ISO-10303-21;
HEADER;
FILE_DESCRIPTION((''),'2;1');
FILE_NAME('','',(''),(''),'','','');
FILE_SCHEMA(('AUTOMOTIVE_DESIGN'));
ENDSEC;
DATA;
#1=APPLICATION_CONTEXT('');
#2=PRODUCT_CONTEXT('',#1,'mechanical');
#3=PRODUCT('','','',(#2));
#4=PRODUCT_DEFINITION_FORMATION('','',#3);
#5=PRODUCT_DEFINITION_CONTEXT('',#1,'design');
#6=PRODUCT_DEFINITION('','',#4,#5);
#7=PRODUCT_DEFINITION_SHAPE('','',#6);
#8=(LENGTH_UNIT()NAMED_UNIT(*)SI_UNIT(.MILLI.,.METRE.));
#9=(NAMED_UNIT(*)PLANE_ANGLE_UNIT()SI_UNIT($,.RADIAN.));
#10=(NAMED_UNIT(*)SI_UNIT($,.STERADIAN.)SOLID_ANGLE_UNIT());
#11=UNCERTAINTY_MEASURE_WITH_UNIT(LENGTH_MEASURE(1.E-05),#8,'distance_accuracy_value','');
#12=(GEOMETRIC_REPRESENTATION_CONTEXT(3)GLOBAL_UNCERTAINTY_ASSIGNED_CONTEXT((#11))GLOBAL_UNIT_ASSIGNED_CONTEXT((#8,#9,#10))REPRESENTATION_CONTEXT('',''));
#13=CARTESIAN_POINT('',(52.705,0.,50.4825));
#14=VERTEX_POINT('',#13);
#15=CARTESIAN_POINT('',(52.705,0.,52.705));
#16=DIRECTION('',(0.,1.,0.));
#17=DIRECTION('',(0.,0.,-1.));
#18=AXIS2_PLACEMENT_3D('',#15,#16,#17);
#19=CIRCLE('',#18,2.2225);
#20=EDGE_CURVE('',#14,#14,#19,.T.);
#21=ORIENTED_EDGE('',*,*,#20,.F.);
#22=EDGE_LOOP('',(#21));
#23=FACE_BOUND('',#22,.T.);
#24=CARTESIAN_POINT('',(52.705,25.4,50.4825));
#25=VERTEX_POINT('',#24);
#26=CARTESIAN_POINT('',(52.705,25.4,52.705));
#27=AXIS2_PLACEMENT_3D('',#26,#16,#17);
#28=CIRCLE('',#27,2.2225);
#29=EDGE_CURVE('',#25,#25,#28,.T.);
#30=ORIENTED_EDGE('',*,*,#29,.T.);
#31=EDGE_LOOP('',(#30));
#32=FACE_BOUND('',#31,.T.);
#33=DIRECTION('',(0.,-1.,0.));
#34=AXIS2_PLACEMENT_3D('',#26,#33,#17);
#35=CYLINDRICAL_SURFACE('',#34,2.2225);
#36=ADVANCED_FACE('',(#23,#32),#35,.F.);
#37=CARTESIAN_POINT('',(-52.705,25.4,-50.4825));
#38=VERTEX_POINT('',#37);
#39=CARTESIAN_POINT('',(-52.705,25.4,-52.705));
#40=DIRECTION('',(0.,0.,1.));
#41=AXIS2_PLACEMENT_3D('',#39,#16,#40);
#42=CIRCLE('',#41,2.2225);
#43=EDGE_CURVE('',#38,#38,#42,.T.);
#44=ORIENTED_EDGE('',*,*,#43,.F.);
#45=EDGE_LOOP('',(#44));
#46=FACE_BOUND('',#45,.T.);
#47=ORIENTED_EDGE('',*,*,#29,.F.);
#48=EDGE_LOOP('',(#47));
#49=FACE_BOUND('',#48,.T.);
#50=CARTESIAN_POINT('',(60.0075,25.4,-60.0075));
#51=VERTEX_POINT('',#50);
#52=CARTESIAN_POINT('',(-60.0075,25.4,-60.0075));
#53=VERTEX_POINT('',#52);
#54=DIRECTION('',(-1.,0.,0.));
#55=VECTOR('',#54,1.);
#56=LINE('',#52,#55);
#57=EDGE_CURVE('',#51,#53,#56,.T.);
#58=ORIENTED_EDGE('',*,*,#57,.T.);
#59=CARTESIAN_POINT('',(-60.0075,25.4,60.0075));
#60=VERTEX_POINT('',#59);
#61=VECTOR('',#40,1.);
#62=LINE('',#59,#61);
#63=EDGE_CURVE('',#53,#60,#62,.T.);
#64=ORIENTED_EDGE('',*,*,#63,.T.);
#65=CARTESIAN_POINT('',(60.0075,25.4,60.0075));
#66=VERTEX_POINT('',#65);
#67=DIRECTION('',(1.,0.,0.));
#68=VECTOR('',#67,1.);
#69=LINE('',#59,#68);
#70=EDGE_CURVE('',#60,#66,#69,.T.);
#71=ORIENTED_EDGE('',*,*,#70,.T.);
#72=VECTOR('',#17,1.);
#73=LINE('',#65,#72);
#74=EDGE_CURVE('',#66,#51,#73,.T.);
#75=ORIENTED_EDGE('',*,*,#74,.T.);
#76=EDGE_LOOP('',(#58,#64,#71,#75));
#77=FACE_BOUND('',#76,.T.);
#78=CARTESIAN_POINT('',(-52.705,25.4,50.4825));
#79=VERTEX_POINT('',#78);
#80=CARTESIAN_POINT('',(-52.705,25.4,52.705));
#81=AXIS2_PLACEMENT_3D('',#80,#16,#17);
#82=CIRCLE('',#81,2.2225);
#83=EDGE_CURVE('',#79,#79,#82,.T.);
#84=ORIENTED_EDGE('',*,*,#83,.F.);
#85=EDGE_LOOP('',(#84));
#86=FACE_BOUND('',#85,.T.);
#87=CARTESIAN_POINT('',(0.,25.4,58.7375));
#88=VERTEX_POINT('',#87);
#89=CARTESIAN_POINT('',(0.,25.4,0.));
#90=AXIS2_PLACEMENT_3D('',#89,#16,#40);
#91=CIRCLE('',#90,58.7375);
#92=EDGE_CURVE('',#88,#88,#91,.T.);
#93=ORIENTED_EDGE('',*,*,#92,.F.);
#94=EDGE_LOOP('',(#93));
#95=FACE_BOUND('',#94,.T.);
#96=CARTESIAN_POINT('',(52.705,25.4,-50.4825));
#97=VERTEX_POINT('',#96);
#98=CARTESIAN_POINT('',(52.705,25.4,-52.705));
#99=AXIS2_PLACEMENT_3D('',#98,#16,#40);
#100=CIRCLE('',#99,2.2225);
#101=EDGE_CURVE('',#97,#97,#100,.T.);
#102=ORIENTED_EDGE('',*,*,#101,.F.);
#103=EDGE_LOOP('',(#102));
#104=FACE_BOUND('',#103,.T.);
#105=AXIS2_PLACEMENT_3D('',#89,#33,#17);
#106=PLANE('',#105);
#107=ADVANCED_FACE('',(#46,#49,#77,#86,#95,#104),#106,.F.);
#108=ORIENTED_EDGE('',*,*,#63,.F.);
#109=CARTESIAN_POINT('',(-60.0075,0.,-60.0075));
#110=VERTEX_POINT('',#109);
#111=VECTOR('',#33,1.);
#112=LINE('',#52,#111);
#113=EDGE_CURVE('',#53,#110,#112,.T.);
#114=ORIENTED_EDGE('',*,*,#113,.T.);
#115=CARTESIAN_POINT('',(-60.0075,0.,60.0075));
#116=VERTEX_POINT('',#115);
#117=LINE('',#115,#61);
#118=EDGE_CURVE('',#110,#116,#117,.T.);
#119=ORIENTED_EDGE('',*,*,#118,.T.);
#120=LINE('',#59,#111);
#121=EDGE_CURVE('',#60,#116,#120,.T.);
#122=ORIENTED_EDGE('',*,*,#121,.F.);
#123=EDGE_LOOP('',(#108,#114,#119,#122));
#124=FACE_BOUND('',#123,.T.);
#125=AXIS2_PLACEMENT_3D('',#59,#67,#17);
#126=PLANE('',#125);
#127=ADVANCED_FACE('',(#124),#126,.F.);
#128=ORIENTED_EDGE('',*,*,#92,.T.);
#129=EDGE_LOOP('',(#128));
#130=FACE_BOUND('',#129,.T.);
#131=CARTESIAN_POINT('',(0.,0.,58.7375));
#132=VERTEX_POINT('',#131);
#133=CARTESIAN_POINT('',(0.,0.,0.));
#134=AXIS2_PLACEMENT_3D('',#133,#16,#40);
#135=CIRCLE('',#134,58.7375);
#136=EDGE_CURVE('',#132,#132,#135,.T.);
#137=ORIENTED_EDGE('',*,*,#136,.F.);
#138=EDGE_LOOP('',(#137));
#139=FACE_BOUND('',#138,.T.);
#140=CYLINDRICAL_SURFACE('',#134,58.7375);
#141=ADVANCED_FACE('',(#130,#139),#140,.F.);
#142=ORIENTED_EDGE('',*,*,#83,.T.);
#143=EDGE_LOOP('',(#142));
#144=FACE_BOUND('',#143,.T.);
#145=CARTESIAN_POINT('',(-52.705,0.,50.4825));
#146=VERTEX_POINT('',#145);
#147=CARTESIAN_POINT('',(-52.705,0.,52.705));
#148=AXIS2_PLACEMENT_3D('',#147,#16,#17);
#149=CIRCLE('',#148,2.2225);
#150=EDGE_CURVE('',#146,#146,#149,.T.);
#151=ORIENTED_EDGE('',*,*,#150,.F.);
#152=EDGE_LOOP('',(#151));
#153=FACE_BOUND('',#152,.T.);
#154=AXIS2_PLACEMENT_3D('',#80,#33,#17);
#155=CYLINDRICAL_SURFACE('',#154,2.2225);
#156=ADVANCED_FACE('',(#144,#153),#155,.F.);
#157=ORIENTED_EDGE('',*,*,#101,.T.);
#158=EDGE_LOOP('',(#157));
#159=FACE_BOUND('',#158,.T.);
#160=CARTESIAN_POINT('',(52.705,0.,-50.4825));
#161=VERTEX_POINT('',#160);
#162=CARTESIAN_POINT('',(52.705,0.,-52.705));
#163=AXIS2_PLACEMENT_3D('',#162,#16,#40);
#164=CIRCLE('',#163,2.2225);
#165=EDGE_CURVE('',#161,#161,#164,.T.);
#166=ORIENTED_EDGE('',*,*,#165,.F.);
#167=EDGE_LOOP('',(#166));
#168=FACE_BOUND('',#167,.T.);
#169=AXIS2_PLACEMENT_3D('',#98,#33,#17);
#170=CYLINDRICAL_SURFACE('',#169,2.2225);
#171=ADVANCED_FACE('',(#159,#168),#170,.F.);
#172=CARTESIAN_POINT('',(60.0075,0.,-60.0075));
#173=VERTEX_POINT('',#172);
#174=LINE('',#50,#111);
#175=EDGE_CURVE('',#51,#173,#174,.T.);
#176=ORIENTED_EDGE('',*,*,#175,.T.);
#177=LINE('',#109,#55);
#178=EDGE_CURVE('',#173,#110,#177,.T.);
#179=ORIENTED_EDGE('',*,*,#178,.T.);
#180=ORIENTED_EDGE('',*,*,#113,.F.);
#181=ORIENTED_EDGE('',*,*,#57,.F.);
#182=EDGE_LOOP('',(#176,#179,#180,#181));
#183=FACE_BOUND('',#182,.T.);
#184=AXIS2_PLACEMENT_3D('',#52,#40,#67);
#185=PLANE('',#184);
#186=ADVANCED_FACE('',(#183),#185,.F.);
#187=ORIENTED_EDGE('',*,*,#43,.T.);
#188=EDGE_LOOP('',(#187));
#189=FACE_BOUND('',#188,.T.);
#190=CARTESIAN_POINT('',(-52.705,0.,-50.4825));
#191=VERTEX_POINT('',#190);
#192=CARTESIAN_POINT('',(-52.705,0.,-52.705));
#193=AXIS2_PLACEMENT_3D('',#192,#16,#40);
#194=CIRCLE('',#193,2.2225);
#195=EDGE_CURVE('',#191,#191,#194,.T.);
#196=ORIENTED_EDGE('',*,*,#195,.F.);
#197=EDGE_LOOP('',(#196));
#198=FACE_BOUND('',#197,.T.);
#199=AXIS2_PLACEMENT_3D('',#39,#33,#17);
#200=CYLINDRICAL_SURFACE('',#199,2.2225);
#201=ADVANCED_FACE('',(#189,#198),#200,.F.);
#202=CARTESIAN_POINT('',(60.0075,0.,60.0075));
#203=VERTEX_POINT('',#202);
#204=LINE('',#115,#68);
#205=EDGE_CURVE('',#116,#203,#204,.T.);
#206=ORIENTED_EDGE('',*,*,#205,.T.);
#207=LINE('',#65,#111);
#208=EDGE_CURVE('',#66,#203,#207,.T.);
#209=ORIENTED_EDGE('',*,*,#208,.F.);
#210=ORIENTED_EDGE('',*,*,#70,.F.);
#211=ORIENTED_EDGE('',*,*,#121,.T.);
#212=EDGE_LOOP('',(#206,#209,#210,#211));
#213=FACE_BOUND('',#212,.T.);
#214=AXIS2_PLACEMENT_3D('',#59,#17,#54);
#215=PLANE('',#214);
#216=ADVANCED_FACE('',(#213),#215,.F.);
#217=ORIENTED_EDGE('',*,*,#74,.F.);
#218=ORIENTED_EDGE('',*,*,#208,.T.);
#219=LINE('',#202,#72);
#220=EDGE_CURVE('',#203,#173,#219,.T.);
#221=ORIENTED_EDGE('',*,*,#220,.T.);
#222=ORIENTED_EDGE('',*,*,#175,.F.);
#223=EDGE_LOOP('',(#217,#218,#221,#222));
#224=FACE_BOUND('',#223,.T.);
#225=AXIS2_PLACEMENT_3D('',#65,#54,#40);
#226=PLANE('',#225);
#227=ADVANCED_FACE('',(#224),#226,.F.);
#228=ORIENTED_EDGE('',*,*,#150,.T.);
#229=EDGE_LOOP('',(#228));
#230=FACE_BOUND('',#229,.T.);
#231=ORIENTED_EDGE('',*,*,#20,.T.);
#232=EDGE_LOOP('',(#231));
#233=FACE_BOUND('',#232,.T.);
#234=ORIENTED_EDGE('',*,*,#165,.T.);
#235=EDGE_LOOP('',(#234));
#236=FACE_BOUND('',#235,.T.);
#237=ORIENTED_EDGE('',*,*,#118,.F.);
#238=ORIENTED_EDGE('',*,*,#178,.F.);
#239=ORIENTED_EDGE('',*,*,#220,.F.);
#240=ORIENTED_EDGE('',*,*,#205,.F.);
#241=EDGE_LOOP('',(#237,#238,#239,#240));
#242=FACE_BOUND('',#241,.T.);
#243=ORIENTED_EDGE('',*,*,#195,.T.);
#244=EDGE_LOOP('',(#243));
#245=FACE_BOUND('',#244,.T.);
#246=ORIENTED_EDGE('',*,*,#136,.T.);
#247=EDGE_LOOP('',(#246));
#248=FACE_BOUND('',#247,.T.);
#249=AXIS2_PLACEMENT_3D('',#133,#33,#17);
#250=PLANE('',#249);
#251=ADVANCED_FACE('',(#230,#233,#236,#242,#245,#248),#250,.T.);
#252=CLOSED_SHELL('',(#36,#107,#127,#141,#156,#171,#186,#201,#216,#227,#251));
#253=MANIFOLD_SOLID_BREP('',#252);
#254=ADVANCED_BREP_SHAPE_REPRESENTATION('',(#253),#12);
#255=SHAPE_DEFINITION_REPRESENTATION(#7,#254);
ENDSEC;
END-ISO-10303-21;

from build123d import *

# Parameters (mm, degrees)
SKETCH1_W           = 120.015
SKETCH1_H           = 120.015
SKETCH1_R           = 2.2225
BOSS_EXTRUDE1_DEPTH = 25.4
SKETCH2_R           = 58.7375
CUT_EXTRUDE1_DEPTH  = 89.583068995


with BuildPart() as part:
    # Sketch1 → Boss-Extrude1 (new body)
    with BuildSketch(Plane(origin=(0, 0, 0), x_dir=(1, 0, 0), z_dir=(0, 1, 0))):
        Rectangle(SKETCH1_W, SKETCH1_H)
        with Locations(Location((-52.705, 52.705, 0), (0, 0, 270))):
            Circle(SKETCH1_R, mode=Mode.SUBTRACT)
        with Locations(Location((52.705, -52.705, 0), (0, 0, 90))):
            Circle(SKETCH1_R, mode=Mode.SUBTRACT)
        with Locations(Location((52.705, 52.705, 0), (0, 0, 270))):
            Circle(SKETCH1_R, mode=Mode.SUBTRACT)
        with Locations(Location((-52.705, -52.705, 0), (0, 0, 90))):
            Circle(SKETCH1_R, mode=Mode.SUBTRACT)
    extrude(amount=BOSS_EXTRUDE1_DEPTH)

    # Sketch2 → Cut-Extrude1 (cut, through all)
    with BuildSketch(Plane(origin=(0, 25.4, 0), x_dir=(1, 0, 0), z_dir=(0, 1, 0))):
        with Locations(Location((0, 0, 0), (0, 0, 270))):
            Circle(SKETCH2_R)
    extrude(amount=-CUT_EXTRUDE1_DEPTH, mode=Mode.SUBTRACT)


solid = part.part
